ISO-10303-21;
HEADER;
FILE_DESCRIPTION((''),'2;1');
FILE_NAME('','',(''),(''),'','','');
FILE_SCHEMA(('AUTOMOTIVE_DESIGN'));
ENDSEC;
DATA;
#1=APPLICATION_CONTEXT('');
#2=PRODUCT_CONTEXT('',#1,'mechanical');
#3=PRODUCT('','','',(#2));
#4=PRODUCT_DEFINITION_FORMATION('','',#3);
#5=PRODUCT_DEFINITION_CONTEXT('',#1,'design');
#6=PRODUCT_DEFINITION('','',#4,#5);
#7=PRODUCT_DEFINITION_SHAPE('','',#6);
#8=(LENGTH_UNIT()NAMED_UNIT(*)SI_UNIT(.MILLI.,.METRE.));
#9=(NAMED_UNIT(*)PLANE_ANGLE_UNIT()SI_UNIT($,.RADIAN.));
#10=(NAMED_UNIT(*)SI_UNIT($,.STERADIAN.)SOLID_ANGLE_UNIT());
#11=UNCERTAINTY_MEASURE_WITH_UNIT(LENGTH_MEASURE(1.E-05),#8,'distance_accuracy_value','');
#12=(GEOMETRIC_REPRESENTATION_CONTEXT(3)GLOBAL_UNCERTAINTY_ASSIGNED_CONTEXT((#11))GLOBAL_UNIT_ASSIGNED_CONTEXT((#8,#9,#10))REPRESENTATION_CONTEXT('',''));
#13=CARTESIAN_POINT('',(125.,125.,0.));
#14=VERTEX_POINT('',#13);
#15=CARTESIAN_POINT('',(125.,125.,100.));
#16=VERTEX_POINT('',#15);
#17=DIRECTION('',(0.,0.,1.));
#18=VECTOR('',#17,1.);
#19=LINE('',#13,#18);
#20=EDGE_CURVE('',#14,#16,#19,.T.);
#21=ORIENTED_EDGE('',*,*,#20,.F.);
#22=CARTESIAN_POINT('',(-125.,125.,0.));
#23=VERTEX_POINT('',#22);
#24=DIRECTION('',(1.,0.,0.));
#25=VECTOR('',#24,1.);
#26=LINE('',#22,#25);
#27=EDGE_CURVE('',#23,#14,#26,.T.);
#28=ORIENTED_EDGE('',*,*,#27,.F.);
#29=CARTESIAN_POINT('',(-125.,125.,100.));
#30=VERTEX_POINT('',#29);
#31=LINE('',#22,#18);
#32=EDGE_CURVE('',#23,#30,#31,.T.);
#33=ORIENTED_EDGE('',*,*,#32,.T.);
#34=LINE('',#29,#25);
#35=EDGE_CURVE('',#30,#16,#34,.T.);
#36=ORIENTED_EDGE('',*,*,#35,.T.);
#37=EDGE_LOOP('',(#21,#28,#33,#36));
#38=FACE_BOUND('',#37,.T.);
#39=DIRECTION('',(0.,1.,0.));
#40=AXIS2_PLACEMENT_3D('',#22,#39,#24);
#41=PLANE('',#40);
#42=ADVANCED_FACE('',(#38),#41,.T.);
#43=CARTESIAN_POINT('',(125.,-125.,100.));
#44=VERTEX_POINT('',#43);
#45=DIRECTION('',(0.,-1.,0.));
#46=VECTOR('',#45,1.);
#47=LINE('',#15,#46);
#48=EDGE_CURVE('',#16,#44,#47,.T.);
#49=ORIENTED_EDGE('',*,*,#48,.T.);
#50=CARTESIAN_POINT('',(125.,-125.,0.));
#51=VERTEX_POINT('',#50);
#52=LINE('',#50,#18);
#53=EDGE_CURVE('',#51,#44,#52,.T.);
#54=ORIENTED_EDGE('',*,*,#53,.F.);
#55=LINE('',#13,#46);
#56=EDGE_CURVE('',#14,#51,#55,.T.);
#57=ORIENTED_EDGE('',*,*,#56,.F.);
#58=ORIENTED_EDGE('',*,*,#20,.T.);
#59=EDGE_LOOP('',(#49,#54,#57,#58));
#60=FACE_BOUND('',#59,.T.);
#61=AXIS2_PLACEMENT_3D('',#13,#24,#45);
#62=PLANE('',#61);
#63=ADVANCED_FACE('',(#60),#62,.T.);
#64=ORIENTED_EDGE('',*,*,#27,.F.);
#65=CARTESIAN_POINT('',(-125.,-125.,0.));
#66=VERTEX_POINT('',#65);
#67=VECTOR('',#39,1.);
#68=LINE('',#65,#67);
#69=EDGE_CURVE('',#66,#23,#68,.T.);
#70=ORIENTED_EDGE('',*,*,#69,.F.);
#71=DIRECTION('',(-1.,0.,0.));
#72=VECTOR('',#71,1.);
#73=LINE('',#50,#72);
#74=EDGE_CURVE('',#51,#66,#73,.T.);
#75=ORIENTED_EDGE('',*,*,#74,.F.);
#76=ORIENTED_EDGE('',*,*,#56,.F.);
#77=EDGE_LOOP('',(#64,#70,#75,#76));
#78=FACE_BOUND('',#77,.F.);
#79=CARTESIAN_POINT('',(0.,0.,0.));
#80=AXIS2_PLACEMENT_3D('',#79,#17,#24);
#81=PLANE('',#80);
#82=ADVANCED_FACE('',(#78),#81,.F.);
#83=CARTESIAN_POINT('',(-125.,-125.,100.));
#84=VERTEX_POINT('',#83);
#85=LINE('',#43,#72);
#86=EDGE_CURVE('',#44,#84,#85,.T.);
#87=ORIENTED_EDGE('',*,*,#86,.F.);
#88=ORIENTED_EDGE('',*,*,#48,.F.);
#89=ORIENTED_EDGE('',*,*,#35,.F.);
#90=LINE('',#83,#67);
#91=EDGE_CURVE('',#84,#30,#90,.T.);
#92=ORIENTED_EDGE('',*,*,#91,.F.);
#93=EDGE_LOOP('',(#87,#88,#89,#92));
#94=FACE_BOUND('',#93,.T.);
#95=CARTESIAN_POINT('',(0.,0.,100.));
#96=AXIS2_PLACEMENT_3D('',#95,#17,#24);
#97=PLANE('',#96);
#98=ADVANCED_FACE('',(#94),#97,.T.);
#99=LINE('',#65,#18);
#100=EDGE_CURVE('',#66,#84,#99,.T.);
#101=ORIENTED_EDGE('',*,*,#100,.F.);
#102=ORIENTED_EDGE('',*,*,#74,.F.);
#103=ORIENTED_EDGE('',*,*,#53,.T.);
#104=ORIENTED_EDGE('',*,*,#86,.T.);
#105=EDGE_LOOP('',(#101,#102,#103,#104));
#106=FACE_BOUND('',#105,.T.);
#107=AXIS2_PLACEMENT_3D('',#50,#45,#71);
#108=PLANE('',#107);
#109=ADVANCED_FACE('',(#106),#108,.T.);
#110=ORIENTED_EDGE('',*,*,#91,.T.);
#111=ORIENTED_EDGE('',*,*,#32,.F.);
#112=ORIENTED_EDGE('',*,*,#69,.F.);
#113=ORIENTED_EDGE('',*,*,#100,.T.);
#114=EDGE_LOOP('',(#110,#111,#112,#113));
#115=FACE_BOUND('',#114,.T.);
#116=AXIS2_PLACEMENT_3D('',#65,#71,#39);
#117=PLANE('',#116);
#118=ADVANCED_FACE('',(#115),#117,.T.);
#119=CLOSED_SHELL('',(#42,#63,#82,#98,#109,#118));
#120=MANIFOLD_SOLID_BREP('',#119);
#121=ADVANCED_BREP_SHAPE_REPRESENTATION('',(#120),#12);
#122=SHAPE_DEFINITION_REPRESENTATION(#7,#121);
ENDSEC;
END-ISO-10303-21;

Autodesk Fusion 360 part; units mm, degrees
sketch "Sketch1" plane through (0, 0, 0) normal (0, 0, 1) x (1, 0, 0)
  line L0 (125, -125) -> (-125, -125)
  line L1 (-125, -125) -> (-125, 125)
  line L2 (-125, 125) -> (125, 125)
  line L3 (125, 125) -> (125, -125)
  line L4 (125, -125) -> (-125, 125) construction
  line L5 (-125, -125) -> (125, 125) construction
  dimension "d1" = 250
  dimension "d2" = 250
extrude "Extrude1" add sketch "Sketch1" along normal blind 100
